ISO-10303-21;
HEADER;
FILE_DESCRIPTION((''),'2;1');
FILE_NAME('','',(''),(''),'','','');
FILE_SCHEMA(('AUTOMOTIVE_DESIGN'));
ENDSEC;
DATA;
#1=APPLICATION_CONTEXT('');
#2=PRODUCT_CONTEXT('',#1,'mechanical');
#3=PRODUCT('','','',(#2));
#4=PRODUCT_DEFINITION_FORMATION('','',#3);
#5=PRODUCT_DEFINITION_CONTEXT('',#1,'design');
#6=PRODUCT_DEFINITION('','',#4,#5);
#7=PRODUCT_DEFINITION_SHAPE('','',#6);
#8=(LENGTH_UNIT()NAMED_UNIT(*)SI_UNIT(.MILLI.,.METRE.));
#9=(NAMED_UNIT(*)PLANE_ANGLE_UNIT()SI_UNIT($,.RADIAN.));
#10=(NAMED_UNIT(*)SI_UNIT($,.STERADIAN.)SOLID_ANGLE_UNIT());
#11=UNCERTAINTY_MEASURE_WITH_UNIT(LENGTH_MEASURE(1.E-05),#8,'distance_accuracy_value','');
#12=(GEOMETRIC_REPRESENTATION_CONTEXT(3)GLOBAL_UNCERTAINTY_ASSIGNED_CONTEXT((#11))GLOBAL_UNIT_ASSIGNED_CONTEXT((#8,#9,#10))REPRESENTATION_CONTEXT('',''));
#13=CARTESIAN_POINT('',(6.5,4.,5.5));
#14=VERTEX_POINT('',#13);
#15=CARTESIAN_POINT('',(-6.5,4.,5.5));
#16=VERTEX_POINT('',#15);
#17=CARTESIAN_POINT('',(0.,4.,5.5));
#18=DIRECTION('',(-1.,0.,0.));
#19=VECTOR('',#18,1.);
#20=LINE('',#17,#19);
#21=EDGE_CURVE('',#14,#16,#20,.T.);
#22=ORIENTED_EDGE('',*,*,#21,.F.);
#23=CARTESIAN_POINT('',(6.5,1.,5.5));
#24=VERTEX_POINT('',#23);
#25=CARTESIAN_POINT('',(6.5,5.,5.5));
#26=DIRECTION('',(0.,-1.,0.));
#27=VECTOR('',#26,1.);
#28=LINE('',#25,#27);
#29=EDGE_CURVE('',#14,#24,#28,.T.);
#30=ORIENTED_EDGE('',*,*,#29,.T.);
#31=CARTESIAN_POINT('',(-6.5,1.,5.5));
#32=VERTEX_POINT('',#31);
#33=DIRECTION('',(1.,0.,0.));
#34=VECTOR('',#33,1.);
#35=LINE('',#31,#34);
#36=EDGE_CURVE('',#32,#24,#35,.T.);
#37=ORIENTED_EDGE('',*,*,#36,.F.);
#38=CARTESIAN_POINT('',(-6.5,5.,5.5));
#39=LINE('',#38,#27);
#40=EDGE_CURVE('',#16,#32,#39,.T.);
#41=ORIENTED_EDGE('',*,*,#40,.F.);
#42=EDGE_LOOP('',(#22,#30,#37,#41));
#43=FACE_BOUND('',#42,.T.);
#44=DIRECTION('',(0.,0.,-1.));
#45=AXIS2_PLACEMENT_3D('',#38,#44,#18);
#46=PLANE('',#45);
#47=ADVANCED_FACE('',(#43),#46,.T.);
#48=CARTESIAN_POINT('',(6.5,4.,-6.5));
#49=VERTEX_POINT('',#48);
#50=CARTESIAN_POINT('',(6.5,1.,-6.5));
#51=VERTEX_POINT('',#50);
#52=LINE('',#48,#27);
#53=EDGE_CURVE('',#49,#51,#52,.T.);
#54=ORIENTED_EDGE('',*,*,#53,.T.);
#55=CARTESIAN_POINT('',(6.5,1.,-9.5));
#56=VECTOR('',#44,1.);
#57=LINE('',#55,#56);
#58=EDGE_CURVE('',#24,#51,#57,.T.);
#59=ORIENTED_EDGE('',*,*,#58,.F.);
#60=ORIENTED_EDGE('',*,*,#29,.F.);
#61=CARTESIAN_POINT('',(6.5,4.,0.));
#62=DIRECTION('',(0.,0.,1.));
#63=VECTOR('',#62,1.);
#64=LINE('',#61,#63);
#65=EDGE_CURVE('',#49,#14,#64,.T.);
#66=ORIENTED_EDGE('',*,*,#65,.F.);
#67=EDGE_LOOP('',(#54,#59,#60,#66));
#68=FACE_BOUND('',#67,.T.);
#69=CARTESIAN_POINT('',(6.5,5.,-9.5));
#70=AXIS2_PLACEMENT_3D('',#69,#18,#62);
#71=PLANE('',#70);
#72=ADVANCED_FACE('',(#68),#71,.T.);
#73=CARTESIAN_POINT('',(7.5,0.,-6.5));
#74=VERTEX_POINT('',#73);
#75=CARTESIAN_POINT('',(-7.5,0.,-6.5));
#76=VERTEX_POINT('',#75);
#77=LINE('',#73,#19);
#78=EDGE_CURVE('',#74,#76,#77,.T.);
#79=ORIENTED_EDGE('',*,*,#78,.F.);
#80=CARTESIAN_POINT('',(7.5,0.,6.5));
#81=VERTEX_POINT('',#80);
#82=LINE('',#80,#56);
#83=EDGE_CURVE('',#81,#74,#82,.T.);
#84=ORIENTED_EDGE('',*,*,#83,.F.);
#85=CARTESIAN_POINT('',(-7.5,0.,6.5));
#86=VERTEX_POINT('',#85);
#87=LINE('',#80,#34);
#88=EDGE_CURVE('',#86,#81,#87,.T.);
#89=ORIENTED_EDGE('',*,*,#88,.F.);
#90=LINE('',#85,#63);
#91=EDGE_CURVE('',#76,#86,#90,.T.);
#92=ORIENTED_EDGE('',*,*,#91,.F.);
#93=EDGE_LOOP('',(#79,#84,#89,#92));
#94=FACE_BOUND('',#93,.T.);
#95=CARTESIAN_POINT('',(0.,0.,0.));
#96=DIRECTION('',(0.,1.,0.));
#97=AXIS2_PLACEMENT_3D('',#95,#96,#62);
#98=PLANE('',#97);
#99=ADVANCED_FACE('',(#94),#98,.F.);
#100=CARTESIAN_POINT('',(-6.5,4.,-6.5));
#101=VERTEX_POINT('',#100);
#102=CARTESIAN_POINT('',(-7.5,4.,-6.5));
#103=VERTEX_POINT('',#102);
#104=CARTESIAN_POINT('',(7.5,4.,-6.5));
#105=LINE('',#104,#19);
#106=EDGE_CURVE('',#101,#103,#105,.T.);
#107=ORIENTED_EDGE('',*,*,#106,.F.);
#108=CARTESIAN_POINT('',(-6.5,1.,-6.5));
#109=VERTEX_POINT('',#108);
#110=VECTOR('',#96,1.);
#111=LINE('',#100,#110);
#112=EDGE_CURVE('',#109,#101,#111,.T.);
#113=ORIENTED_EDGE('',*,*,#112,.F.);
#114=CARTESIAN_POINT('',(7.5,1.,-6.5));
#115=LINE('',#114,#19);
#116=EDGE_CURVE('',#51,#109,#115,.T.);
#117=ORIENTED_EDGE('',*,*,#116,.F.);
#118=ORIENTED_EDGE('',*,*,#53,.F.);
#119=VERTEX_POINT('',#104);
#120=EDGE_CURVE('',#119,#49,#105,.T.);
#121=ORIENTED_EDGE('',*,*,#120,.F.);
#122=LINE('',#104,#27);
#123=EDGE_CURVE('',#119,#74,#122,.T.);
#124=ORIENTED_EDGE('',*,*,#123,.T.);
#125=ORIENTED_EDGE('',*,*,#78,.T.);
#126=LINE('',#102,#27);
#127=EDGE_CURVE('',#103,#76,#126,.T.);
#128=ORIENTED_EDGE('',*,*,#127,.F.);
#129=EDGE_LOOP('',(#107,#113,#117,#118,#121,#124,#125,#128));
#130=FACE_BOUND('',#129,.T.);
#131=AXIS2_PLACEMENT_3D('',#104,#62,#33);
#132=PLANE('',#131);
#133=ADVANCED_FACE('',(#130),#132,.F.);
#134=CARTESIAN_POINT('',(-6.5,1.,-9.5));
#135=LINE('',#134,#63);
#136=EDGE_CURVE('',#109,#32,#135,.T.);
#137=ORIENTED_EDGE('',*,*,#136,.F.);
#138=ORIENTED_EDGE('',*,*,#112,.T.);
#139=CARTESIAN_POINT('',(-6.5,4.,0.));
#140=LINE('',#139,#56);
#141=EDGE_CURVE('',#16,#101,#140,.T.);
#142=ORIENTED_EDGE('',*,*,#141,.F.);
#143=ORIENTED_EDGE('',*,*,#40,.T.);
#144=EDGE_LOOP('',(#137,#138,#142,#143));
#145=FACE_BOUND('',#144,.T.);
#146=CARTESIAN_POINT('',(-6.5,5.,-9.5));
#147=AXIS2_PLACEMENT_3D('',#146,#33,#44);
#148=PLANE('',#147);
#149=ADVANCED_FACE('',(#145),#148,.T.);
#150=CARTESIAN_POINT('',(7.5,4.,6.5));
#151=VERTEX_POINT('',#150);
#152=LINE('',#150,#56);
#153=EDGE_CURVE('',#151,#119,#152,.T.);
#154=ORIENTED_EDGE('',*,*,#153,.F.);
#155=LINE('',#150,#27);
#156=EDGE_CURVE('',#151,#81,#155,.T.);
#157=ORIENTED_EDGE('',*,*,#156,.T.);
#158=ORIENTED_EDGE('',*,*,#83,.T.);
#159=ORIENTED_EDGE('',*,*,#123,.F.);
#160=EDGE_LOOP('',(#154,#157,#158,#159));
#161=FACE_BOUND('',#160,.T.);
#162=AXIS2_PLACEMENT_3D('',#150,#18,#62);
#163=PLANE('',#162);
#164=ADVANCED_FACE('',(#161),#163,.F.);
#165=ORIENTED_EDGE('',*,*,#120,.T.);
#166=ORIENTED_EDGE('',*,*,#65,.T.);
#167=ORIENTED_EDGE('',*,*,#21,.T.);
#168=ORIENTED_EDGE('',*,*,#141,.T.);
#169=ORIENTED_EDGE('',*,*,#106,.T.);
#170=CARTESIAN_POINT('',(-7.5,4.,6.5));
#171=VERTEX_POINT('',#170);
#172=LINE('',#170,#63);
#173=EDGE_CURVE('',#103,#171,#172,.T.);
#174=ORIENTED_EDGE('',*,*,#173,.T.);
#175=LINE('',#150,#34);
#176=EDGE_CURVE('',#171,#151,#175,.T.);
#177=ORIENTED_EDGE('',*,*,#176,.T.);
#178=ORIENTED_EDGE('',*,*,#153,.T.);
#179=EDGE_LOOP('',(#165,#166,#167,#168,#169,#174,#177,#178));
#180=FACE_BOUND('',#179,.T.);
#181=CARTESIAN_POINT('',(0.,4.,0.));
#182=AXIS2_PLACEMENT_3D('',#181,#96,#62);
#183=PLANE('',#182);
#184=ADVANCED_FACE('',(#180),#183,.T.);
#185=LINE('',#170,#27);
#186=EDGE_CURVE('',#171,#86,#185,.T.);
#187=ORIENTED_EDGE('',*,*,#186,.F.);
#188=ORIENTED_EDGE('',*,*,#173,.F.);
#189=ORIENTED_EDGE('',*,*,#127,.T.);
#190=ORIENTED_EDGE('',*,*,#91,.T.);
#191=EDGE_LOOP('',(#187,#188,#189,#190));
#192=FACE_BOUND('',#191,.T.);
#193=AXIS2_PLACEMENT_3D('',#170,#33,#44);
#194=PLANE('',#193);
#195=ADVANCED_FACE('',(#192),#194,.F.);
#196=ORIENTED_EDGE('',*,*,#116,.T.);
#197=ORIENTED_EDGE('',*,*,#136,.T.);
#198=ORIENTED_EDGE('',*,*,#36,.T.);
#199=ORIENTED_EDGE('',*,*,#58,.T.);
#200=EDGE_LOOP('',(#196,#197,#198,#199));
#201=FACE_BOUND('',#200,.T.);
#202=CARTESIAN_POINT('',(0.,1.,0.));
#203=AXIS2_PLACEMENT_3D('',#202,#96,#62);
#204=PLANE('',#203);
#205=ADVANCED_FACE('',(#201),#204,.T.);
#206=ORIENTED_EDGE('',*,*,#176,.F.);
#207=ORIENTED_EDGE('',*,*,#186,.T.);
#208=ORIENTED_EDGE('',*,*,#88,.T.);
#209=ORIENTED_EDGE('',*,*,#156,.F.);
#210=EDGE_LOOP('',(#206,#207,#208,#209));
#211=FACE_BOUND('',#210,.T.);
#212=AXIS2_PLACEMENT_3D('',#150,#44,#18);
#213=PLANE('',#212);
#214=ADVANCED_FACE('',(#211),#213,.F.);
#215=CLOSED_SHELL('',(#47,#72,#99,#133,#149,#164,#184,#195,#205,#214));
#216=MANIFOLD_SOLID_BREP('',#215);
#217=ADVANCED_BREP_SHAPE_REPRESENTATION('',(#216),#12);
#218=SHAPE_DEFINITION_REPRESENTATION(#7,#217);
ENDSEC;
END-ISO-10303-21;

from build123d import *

# Parameters (mm, degrees)
SKETCH_1_W          = 15
SKETCH_1_H          = 13
EXTRUDE_1_DEPTH     = 4
CUT_EXTRUDE_START   = 1
SKETCH_2_W          = 13
SKETCH_2_H          = 15
CUT_EXTRUDE_1_DEPTH = 4
EXTRUDE_START       = 4
SKETCH_3_W          = 15
SKETCH_3_H          = 13
EXTRUDE_3_DEPTH     = 1
CUT_EXTRUDE_START_2 = 5
SKETCH_4_W          = 6
SKETCH_4_H          = 6
CUT_EXTRUDE_2_DEPTH = 1
SKETCH_5_W          = 15
SKETCH_5_H          = 13
CUT_EXTRUDE_3_DEPTH = 1


with BuildPart() as part:
    # 스케치1 → 보스-돌출1 (new body)
    with BuildSketch(Plane(origin=(0, 0, 0), x_dir=(1, 0, 0), z_dir=(0, 1, 0))):
        Rectangle(SKETCH_1_W, SKETCH_1_H)
    extrude(amount=EXTRUDE_1_DEPTH)

    # 스케치2 → 컷-돌출1 (cut)
    with BuildSketch(Plane(origin=(0, 0, 0), x_dir=(1, 0, 0), z_dir=(0, 1, 0)).offset(CUT_EXTRUDE_START)):
        with Locations((0, 2)):
            Rectangle(SKETCH_2_W, SKETCH_2_H)
    extrude(amount=CUT_EXTRUDE_1_DEPTH, mode=Mode.SUBTRACT)


with BuildPart() as body_2:
    # 스케치3 → 보스-돌출3 (new body)
    with BuildSketch(Plane(origin=(0, 0, 0), x_dir=(1, 0, 0), z_dir=(0, 1, 0)).offset(EXTRUDE_START)):
        Rectangle(SKETCH_3_W, SKETCH_3_H)
    extrude(amount=EXTRUDE_3_DEPTH)

    # 스케치4 → 컷-돌출2 (cut)
    with BuildSketch(Plane(origin=(0, 0, 0), x_dir=(1, 0, 0), z_dir=(0, 1, 0)).offset(CUT_EXTRUDE_START_2)):
        with Locations((2.5, -1.5)):
            Rectangle(SKETCH_4_W, SKETCH_4_H)
    extrude(amount=-CUT_EXTRUDE_2_DEPTH, mode=Mode.SUBTRACT)

    # 스케치5 → 컷-돌출3 (cut)
    with BuildSketch(Plane(origin=(0, 5, 0), x_dir=(1, 0, 0), z_dir=(0, 1, 0))):
        Rectangle(SKETCH_5_W, SKETCH_5_H)
    extrude(amount=-CUT_EXTRUDE_3_DEPTH, mode=Mode.SUBTRACT)


solid = part.part
